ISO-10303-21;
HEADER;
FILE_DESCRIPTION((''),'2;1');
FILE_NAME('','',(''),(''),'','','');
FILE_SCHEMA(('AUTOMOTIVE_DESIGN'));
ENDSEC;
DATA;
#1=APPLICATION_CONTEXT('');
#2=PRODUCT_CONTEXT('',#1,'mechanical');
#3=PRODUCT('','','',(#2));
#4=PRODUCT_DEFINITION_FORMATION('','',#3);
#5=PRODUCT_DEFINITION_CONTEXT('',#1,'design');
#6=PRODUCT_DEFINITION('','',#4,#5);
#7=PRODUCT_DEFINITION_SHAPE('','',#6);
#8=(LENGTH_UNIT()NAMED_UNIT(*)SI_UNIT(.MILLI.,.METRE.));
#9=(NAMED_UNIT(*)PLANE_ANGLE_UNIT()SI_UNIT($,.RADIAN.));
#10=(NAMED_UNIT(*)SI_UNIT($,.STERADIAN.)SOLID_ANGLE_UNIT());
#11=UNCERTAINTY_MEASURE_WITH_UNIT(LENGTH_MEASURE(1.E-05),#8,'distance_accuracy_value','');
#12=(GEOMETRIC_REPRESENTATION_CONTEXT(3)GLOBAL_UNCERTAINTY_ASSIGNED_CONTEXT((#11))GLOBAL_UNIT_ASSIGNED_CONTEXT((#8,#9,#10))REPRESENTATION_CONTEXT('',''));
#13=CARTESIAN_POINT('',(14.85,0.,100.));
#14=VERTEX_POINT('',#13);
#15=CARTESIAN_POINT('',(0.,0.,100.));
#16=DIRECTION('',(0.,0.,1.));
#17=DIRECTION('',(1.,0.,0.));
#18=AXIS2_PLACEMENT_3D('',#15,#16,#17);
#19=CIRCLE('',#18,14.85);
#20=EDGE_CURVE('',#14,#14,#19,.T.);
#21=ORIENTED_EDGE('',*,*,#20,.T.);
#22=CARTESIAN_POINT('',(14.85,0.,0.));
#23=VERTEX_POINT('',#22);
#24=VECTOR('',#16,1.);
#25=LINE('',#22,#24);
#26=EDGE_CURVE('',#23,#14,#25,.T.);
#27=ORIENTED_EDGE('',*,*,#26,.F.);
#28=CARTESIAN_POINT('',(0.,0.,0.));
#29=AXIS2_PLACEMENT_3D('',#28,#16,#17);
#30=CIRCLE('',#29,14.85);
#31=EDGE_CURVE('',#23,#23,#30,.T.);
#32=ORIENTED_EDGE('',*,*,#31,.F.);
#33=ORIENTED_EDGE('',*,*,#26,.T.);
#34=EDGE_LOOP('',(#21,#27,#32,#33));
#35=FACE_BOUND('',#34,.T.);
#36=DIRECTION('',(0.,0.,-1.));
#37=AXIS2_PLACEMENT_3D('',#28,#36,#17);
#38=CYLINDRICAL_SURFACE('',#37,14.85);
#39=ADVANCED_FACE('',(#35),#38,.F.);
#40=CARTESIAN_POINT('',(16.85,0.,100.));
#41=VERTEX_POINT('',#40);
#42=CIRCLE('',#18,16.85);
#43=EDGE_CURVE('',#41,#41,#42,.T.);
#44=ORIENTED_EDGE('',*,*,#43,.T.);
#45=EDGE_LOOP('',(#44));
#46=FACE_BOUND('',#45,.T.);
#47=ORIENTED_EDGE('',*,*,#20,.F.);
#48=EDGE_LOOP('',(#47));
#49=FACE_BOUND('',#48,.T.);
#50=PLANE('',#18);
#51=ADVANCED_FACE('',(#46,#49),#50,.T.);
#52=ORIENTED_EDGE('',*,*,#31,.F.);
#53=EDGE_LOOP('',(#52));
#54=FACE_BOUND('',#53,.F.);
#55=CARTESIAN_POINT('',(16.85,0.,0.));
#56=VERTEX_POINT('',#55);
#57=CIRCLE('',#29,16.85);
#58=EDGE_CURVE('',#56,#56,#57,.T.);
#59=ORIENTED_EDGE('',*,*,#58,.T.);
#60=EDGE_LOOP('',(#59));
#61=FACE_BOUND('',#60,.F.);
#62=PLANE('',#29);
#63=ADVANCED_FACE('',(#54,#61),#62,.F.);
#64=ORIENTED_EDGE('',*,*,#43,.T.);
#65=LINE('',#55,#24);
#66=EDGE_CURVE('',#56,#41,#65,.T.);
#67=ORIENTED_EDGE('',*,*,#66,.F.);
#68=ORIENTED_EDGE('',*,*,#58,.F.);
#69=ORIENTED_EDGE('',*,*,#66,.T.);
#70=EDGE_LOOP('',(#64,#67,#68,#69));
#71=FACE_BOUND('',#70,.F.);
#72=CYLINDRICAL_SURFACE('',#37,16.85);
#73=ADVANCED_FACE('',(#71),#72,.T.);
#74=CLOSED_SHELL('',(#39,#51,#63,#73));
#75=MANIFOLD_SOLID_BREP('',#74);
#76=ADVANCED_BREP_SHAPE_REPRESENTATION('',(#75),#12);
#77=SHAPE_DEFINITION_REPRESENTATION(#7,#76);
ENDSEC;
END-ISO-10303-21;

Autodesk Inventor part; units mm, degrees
ref_plane "YZ Plane" through (0, 0, 0) normal (1, 0, 0) x (0, 1, 0)
ref_plane "Start Plane" through (0, 0, 0) normal (0, 0, 1) x (1, 0, 0)
ref_plane "End Plane" through (0, 0, 100) normal (0, 0, 1) x (1, 0, 0)
sketch "Sketch" plane through (0, 0, 0) normal (0, 0, 1) x (1, 0, 0)
  circle A0 centre (0, 0) radius 14.85
  circle A1 centre (0, 0) radius 16.85
  dimension "d0" = 33.7
  dimension "d1" = 2
extrude "Body" add sketch "Sketch" along normal up to surface (100 mm away) from surface at 0
sketch "Sketch3" plane through (0, 0, 0) normal (0, 0, 1) x (1, 0, 0)
  line L0 (0, 0) -> (10, 0)
ref_plane "Work Plane3" through (0, 0, 0) normal (0, -1, 0) x (1, 0, 0)
sketch "Sketch4" plane through (0, 0, 0) normal (0, -1, 0) x (1, 0, 0)
  line L0 (-2, 0) -> (12, 0)
  line L1 (-2, 100) -> (12, 100)
  dimension "d7" = 100
equation "\"d0\" = G_H"
equation "\"d1\" = G_T"
equation "\"d2\" = G_L"
equation "\"G_H\" = 33.7"
equation "\"G_T\" = 2"
equation "\"G_L\" = d7"
equation "\"G_OFFSET_START\" = 0"
equation "\"G_OFFSET_END\" = 0"
properties part number "ISO 10799-2 42.4x3.0 1649858596227" material "Steel, Mild"
